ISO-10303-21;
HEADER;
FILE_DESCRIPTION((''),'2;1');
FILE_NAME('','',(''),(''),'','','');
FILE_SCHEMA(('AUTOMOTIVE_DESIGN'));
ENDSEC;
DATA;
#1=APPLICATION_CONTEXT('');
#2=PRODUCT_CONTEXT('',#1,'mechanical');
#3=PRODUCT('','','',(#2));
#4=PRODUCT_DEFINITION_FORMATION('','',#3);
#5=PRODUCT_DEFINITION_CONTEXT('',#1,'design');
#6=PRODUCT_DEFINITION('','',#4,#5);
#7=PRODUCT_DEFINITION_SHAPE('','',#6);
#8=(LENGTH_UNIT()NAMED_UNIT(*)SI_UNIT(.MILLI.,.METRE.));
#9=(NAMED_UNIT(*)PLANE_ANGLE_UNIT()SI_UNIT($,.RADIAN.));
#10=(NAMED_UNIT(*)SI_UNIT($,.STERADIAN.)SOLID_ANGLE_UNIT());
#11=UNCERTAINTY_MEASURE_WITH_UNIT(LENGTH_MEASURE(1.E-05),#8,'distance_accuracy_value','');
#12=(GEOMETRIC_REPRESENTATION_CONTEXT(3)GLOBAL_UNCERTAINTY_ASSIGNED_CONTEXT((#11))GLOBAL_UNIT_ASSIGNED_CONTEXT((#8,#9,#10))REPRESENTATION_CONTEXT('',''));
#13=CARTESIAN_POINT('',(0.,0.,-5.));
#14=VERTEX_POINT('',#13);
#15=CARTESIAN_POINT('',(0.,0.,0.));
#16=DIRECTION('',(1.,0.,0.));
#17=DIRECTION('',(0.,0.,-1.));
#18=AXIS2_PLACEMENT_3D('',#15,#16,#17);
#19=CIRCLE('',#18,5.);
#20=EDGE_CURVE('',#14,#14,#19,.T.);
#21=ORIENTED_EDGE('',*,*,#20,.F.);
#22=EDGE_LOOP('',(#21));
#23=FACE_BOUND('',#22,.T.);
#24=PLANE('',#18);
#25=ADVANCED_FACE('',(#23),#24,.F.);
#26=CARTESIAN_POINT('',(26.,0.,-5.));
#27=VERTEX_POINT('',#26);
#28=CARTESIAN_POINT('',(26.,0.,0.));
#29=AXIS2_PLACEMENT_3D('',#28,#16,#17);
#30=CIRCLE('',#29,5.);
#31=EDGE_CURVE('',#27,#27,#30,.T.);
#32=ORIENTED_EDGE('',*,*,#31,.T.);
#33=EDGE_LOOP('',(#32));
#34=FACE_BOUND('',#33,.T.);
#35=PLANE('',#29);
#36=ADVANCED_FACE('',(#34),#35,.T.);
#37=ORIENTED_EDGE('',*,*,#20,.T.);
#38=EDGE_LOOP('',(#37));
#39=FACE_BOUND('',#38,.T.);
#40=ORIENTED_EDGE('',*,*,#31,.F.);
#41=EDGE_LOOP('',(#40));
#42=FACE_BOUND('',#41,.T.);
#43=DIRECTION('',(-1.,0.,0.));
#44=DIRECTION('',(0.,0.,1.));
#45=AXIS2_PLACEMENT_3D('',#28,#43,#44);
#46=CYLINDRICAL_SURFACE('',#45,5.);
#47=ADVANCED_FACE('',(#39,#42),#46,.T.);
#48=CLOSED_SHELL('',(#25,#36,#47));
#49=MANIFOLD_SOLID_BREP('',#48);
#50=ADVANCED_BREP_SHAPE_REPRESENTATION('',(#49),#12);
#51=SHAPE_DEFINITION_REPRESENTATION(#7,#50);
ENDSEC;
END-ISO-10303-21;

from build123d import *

# Parameters (mm, degrees)
SKETCH1_R      = 5
EXTRUDE1_DEPTH = 26


with BuildPart() as part:
    # Sketch1 → Extrude1 (new body)
    with BuildSketch(Plane(origin=(0, 0, 0), x_dir=(0, 0, -1), z_dir=(1, 0, 0))):
        Circle(SKETCH1_R)
    extrude(amount=EXTRUDE1_DEPTH)


solid = part.part
